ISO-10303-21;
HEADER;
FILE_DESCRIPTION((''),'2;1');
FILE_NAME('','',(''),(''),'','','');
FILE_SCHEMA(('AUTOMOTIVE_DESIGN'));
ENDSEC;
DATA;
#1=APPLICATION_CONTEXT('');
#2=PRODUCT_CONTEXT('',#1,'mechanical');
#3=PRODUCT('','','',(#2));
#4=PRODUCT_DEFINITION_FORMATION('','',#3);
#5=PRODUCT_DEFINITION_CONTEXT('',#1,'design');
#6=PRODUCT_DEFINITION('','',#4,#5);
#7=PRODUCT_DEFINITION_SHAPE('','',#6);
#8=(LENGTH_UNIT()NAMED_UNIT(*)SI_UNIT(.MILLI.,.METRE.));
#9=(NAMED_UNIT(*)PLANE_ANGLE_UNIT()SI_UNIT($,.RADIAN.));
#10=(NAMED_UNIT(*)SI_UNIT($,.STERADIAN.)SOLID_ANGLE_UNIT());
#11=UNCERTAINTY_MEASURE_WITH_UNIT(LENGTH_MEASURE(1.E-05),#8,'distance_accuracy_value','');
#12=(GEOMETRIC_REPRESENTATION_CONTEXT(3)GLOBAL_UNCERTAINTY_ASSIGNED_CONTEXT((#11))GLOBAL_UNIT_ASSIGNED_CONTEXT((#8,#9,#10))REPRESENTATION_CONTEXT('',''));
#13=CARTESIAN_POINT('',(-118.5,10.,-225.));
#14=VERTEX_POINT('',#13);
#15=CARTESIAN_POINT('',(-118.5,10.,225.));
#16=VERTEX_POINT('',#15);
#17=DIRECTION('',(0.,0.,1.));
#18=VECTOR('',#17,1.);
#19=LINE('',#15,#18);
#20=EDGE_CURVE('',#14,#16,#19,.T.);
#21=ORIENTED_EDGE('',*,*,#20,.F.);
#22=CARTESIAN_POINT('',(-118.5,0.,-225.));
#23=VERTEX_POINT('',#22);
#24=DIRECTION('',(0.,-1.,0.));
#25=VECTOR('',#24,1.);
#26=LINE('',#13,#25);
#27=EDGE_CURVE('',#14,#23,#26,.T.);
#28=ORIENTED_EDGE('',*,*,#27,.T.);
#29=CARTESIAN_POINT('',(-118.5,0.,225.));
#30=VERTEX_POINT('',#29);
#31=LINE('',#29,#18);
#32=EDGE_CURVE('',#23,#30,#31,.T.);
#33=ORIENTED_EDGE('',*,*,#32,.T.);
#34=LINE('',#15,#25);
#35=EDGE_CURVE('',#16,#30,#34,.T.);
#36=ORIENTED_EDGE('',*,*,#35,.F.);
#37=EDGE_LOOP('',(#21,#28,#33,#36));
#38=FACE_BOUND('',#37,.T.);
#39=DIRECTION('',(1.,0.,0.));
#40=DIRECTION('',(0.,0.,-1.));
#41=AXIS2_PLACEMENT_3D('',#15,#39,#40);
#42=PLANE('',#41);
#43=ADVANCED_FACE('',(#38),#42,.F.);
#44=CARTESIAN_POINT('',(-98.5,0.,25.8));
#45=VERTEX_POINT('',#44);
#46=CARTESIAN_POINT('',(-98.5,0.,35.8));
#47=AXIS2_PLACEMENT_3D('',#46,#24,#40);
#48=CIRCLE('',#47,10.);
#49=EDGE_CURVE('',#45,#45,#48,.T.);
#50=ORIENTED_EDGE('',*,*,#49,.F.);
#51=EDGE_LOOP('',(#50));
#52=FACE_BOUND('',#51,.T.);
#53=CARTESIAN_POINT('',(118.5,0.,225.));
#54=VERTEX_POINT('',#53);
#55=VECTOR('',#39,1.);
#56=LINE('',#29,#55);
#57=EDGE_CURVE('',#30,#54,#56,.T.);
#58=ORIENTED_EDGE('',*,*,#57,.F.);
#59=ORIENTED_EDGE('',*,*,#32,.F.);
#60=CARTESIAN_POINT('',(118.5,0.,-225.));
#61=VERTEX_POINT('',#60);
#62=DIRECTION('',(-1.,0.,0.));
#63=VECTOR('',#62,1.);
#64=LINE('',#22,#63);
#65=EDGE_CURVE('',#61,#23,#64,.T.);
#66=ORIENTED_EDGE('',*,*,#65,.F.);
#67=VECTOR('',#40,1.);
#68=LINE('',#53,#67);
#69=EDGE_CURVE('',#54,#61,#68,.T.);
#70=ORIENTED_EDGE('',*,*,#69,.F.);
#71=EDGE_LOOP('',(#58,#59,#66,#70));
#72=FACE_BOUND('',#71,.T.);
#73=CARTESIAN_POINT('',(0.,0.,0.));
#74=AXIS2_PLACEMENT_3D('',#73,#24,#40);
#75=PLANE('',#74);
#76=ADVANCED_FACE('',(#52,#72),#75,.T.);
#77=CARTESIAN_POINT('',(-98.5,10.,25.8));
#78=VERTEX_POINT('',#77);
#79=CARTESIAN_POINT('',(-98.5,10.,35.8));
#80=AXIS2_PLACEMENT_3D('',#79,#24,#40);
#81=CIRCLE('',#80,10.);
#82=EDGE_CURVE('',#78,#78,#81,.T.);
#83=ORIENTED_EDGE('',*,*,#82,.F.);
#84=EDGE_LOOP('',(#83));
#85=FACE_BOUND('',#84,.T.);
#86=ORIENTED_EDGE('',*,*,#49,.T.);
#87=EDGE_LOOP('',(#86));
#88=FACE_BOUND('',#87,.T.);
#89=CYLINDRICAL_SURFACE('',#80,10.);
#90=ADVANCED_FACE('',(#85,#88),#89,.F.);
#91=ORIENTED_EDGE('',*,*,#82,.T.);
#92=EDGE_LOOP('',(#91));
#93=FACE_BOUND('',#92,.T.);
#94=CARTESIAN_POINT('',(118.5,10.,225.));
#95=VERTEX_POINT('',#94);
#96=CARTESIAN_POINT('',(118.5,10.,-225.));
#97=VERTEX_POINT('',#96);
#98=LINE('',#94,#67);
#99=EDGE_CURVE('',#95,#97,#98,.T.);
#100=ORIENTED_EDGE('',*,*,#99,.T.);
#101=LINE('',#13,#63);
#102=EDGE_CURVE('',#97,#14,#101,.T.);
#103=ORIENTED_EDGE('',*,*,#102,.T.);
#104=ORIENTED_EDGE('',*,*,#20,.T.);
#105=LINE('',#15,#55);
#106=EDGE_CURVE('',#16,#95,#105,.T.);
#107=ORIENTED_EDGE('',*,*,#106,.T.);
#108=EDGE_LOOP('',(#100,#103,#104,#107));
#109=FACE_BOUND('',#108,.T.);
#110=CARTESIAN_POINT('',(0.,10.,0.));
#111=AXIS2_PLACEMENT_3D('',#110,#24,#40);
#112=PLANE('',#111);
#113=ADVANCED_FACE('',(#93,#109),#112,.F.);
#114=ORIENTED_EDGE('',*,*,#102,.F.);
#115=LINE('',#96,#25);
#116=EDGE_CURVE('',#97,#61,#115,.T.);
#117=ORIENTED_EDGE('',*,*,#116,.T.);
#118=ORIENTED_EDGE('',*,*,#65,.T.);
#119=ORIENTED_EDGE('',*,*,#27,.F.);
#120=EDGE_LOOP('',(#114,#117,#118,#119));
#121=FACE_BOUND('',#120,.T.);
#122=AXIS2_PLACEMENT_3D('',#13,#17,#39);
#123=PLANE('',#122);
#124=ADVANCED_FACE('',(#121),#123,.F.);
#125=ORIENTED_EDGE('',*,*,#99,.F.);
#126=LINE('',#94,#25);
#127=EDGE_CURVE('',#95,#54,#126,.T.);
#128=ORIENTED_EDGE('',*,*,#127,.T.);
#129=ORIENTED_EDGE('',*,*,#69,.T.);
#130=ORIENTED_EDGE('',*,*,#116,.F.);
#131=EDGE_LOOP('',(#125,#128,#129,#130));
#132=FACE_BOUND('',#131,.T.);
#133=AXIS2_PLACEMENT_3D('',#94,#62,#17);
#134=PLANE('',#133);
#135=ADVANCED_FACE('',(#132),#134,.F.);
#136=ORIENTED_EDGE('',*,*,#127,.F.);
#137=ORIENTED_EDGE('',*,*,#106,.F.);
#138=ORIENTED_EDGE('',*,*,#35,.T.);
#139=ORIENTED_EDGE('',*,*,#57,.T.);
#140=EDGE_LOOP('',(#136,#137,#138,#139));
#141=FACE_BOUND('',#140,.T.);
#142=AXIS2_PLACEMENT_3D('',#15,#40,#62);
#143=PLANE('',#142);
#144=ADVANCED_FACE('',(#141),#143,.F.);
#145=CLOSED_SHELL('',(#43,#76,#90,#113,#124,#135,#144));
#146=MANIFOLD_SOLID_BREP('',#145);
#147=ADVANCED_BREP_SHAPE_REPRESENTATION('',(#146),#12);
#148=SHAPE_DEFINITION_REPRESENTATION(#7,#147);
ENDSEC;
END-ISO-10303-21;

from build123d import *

# Parameters (mm, degrees)
CROQUIS1_W              = 237
CROQUIS1_H              = 450
SALIENTE_EXTRUIR1_DEPTH = 10
CROQUIS2_W              = 5
CROQUIS2_H              = 450
SALIENTE_EXTRUIR2_DEPTH = 70
CROQUIS3_R              = 2
CORTAR_EXTRUIR1_DEPTH   = 70
CROQUIS4_W              = 450
CROQUIS4_H              = 70
CORTAR_EXTRUIR2_DEPTH   = 10
CROQUIS5_R              = 10
CORTAR_EXTRUIR4_DEPTH   = 10


with BuildPart() as part:
    # Croquis1 → Saliente-Extruir1 (new body)
    with BuildSketch(Plane(origin=(0, 0, 0), x_dir=(1, 0, 0), z_dir=(0, 1, 0))):
        Rectangle(CROQUIS1_W, CROQUIS1_H)
    extrude(amount=SALIENTE_EXTRUIR1_DEPTH)

    # Croquis2 → Saliente-Extruir2 (add)
    with BuildSketch(Plane.XZ):
        with Locations((-116, 0)):
            Rectangle(CROQUIS2_W, CROQUIS2_H)
    extrude(amount=SALIENTE_EXTRUIR2_DEPTH)

    # Croquis3 → Cortar-Extruir1 (cut)
    with BuildSketch(Plane(origin=(-113.5, 0, 0), x_dir=(0, 0, -1), z_dir=(1, 0, 0))):
        with Locations((-215, -10)):
            Circle(CROQUIS3_R)
        with Locations((215, -10)):
            Circle(CROQUIS3_R)
        with Locations((215, -60)):
            Circle(CROQUIS3_R)
        with Locations((-215, -60)):
            Circle(CROQUIS3_R)
    extrude(amount=-CORTAR_EXTRUIR1_DEPTH, mode=Mode.SUBTRACT)

    # Croquis4 → Cortar-Extruir2 (cut)
    with BuildSketch(Plane(origin=(-113.5, 0, 0), x_dir=(0, 0, -1), z_dir=(1, 0, 0))):
        with Locations((0, -35)):
            Rectangle(CROQUIS4_W, CROQUIS4_H)
    extrude(amount=-CORTAR_EXTRUIR2_DEPTH, mode=Mode.SUBTRACT)

    # Croquis5 → Cortar-Extruir4 (cut)
    with BuildSketch(Plane.XZ):
        with Locations((-98.5, 35.8)):
            Circle(CROQUIS5_R)
    extrude(amount=-CORTAR_EXTRUIR4_DEPTH, mode=Mode.SUBTRACT)


solid = part.part
